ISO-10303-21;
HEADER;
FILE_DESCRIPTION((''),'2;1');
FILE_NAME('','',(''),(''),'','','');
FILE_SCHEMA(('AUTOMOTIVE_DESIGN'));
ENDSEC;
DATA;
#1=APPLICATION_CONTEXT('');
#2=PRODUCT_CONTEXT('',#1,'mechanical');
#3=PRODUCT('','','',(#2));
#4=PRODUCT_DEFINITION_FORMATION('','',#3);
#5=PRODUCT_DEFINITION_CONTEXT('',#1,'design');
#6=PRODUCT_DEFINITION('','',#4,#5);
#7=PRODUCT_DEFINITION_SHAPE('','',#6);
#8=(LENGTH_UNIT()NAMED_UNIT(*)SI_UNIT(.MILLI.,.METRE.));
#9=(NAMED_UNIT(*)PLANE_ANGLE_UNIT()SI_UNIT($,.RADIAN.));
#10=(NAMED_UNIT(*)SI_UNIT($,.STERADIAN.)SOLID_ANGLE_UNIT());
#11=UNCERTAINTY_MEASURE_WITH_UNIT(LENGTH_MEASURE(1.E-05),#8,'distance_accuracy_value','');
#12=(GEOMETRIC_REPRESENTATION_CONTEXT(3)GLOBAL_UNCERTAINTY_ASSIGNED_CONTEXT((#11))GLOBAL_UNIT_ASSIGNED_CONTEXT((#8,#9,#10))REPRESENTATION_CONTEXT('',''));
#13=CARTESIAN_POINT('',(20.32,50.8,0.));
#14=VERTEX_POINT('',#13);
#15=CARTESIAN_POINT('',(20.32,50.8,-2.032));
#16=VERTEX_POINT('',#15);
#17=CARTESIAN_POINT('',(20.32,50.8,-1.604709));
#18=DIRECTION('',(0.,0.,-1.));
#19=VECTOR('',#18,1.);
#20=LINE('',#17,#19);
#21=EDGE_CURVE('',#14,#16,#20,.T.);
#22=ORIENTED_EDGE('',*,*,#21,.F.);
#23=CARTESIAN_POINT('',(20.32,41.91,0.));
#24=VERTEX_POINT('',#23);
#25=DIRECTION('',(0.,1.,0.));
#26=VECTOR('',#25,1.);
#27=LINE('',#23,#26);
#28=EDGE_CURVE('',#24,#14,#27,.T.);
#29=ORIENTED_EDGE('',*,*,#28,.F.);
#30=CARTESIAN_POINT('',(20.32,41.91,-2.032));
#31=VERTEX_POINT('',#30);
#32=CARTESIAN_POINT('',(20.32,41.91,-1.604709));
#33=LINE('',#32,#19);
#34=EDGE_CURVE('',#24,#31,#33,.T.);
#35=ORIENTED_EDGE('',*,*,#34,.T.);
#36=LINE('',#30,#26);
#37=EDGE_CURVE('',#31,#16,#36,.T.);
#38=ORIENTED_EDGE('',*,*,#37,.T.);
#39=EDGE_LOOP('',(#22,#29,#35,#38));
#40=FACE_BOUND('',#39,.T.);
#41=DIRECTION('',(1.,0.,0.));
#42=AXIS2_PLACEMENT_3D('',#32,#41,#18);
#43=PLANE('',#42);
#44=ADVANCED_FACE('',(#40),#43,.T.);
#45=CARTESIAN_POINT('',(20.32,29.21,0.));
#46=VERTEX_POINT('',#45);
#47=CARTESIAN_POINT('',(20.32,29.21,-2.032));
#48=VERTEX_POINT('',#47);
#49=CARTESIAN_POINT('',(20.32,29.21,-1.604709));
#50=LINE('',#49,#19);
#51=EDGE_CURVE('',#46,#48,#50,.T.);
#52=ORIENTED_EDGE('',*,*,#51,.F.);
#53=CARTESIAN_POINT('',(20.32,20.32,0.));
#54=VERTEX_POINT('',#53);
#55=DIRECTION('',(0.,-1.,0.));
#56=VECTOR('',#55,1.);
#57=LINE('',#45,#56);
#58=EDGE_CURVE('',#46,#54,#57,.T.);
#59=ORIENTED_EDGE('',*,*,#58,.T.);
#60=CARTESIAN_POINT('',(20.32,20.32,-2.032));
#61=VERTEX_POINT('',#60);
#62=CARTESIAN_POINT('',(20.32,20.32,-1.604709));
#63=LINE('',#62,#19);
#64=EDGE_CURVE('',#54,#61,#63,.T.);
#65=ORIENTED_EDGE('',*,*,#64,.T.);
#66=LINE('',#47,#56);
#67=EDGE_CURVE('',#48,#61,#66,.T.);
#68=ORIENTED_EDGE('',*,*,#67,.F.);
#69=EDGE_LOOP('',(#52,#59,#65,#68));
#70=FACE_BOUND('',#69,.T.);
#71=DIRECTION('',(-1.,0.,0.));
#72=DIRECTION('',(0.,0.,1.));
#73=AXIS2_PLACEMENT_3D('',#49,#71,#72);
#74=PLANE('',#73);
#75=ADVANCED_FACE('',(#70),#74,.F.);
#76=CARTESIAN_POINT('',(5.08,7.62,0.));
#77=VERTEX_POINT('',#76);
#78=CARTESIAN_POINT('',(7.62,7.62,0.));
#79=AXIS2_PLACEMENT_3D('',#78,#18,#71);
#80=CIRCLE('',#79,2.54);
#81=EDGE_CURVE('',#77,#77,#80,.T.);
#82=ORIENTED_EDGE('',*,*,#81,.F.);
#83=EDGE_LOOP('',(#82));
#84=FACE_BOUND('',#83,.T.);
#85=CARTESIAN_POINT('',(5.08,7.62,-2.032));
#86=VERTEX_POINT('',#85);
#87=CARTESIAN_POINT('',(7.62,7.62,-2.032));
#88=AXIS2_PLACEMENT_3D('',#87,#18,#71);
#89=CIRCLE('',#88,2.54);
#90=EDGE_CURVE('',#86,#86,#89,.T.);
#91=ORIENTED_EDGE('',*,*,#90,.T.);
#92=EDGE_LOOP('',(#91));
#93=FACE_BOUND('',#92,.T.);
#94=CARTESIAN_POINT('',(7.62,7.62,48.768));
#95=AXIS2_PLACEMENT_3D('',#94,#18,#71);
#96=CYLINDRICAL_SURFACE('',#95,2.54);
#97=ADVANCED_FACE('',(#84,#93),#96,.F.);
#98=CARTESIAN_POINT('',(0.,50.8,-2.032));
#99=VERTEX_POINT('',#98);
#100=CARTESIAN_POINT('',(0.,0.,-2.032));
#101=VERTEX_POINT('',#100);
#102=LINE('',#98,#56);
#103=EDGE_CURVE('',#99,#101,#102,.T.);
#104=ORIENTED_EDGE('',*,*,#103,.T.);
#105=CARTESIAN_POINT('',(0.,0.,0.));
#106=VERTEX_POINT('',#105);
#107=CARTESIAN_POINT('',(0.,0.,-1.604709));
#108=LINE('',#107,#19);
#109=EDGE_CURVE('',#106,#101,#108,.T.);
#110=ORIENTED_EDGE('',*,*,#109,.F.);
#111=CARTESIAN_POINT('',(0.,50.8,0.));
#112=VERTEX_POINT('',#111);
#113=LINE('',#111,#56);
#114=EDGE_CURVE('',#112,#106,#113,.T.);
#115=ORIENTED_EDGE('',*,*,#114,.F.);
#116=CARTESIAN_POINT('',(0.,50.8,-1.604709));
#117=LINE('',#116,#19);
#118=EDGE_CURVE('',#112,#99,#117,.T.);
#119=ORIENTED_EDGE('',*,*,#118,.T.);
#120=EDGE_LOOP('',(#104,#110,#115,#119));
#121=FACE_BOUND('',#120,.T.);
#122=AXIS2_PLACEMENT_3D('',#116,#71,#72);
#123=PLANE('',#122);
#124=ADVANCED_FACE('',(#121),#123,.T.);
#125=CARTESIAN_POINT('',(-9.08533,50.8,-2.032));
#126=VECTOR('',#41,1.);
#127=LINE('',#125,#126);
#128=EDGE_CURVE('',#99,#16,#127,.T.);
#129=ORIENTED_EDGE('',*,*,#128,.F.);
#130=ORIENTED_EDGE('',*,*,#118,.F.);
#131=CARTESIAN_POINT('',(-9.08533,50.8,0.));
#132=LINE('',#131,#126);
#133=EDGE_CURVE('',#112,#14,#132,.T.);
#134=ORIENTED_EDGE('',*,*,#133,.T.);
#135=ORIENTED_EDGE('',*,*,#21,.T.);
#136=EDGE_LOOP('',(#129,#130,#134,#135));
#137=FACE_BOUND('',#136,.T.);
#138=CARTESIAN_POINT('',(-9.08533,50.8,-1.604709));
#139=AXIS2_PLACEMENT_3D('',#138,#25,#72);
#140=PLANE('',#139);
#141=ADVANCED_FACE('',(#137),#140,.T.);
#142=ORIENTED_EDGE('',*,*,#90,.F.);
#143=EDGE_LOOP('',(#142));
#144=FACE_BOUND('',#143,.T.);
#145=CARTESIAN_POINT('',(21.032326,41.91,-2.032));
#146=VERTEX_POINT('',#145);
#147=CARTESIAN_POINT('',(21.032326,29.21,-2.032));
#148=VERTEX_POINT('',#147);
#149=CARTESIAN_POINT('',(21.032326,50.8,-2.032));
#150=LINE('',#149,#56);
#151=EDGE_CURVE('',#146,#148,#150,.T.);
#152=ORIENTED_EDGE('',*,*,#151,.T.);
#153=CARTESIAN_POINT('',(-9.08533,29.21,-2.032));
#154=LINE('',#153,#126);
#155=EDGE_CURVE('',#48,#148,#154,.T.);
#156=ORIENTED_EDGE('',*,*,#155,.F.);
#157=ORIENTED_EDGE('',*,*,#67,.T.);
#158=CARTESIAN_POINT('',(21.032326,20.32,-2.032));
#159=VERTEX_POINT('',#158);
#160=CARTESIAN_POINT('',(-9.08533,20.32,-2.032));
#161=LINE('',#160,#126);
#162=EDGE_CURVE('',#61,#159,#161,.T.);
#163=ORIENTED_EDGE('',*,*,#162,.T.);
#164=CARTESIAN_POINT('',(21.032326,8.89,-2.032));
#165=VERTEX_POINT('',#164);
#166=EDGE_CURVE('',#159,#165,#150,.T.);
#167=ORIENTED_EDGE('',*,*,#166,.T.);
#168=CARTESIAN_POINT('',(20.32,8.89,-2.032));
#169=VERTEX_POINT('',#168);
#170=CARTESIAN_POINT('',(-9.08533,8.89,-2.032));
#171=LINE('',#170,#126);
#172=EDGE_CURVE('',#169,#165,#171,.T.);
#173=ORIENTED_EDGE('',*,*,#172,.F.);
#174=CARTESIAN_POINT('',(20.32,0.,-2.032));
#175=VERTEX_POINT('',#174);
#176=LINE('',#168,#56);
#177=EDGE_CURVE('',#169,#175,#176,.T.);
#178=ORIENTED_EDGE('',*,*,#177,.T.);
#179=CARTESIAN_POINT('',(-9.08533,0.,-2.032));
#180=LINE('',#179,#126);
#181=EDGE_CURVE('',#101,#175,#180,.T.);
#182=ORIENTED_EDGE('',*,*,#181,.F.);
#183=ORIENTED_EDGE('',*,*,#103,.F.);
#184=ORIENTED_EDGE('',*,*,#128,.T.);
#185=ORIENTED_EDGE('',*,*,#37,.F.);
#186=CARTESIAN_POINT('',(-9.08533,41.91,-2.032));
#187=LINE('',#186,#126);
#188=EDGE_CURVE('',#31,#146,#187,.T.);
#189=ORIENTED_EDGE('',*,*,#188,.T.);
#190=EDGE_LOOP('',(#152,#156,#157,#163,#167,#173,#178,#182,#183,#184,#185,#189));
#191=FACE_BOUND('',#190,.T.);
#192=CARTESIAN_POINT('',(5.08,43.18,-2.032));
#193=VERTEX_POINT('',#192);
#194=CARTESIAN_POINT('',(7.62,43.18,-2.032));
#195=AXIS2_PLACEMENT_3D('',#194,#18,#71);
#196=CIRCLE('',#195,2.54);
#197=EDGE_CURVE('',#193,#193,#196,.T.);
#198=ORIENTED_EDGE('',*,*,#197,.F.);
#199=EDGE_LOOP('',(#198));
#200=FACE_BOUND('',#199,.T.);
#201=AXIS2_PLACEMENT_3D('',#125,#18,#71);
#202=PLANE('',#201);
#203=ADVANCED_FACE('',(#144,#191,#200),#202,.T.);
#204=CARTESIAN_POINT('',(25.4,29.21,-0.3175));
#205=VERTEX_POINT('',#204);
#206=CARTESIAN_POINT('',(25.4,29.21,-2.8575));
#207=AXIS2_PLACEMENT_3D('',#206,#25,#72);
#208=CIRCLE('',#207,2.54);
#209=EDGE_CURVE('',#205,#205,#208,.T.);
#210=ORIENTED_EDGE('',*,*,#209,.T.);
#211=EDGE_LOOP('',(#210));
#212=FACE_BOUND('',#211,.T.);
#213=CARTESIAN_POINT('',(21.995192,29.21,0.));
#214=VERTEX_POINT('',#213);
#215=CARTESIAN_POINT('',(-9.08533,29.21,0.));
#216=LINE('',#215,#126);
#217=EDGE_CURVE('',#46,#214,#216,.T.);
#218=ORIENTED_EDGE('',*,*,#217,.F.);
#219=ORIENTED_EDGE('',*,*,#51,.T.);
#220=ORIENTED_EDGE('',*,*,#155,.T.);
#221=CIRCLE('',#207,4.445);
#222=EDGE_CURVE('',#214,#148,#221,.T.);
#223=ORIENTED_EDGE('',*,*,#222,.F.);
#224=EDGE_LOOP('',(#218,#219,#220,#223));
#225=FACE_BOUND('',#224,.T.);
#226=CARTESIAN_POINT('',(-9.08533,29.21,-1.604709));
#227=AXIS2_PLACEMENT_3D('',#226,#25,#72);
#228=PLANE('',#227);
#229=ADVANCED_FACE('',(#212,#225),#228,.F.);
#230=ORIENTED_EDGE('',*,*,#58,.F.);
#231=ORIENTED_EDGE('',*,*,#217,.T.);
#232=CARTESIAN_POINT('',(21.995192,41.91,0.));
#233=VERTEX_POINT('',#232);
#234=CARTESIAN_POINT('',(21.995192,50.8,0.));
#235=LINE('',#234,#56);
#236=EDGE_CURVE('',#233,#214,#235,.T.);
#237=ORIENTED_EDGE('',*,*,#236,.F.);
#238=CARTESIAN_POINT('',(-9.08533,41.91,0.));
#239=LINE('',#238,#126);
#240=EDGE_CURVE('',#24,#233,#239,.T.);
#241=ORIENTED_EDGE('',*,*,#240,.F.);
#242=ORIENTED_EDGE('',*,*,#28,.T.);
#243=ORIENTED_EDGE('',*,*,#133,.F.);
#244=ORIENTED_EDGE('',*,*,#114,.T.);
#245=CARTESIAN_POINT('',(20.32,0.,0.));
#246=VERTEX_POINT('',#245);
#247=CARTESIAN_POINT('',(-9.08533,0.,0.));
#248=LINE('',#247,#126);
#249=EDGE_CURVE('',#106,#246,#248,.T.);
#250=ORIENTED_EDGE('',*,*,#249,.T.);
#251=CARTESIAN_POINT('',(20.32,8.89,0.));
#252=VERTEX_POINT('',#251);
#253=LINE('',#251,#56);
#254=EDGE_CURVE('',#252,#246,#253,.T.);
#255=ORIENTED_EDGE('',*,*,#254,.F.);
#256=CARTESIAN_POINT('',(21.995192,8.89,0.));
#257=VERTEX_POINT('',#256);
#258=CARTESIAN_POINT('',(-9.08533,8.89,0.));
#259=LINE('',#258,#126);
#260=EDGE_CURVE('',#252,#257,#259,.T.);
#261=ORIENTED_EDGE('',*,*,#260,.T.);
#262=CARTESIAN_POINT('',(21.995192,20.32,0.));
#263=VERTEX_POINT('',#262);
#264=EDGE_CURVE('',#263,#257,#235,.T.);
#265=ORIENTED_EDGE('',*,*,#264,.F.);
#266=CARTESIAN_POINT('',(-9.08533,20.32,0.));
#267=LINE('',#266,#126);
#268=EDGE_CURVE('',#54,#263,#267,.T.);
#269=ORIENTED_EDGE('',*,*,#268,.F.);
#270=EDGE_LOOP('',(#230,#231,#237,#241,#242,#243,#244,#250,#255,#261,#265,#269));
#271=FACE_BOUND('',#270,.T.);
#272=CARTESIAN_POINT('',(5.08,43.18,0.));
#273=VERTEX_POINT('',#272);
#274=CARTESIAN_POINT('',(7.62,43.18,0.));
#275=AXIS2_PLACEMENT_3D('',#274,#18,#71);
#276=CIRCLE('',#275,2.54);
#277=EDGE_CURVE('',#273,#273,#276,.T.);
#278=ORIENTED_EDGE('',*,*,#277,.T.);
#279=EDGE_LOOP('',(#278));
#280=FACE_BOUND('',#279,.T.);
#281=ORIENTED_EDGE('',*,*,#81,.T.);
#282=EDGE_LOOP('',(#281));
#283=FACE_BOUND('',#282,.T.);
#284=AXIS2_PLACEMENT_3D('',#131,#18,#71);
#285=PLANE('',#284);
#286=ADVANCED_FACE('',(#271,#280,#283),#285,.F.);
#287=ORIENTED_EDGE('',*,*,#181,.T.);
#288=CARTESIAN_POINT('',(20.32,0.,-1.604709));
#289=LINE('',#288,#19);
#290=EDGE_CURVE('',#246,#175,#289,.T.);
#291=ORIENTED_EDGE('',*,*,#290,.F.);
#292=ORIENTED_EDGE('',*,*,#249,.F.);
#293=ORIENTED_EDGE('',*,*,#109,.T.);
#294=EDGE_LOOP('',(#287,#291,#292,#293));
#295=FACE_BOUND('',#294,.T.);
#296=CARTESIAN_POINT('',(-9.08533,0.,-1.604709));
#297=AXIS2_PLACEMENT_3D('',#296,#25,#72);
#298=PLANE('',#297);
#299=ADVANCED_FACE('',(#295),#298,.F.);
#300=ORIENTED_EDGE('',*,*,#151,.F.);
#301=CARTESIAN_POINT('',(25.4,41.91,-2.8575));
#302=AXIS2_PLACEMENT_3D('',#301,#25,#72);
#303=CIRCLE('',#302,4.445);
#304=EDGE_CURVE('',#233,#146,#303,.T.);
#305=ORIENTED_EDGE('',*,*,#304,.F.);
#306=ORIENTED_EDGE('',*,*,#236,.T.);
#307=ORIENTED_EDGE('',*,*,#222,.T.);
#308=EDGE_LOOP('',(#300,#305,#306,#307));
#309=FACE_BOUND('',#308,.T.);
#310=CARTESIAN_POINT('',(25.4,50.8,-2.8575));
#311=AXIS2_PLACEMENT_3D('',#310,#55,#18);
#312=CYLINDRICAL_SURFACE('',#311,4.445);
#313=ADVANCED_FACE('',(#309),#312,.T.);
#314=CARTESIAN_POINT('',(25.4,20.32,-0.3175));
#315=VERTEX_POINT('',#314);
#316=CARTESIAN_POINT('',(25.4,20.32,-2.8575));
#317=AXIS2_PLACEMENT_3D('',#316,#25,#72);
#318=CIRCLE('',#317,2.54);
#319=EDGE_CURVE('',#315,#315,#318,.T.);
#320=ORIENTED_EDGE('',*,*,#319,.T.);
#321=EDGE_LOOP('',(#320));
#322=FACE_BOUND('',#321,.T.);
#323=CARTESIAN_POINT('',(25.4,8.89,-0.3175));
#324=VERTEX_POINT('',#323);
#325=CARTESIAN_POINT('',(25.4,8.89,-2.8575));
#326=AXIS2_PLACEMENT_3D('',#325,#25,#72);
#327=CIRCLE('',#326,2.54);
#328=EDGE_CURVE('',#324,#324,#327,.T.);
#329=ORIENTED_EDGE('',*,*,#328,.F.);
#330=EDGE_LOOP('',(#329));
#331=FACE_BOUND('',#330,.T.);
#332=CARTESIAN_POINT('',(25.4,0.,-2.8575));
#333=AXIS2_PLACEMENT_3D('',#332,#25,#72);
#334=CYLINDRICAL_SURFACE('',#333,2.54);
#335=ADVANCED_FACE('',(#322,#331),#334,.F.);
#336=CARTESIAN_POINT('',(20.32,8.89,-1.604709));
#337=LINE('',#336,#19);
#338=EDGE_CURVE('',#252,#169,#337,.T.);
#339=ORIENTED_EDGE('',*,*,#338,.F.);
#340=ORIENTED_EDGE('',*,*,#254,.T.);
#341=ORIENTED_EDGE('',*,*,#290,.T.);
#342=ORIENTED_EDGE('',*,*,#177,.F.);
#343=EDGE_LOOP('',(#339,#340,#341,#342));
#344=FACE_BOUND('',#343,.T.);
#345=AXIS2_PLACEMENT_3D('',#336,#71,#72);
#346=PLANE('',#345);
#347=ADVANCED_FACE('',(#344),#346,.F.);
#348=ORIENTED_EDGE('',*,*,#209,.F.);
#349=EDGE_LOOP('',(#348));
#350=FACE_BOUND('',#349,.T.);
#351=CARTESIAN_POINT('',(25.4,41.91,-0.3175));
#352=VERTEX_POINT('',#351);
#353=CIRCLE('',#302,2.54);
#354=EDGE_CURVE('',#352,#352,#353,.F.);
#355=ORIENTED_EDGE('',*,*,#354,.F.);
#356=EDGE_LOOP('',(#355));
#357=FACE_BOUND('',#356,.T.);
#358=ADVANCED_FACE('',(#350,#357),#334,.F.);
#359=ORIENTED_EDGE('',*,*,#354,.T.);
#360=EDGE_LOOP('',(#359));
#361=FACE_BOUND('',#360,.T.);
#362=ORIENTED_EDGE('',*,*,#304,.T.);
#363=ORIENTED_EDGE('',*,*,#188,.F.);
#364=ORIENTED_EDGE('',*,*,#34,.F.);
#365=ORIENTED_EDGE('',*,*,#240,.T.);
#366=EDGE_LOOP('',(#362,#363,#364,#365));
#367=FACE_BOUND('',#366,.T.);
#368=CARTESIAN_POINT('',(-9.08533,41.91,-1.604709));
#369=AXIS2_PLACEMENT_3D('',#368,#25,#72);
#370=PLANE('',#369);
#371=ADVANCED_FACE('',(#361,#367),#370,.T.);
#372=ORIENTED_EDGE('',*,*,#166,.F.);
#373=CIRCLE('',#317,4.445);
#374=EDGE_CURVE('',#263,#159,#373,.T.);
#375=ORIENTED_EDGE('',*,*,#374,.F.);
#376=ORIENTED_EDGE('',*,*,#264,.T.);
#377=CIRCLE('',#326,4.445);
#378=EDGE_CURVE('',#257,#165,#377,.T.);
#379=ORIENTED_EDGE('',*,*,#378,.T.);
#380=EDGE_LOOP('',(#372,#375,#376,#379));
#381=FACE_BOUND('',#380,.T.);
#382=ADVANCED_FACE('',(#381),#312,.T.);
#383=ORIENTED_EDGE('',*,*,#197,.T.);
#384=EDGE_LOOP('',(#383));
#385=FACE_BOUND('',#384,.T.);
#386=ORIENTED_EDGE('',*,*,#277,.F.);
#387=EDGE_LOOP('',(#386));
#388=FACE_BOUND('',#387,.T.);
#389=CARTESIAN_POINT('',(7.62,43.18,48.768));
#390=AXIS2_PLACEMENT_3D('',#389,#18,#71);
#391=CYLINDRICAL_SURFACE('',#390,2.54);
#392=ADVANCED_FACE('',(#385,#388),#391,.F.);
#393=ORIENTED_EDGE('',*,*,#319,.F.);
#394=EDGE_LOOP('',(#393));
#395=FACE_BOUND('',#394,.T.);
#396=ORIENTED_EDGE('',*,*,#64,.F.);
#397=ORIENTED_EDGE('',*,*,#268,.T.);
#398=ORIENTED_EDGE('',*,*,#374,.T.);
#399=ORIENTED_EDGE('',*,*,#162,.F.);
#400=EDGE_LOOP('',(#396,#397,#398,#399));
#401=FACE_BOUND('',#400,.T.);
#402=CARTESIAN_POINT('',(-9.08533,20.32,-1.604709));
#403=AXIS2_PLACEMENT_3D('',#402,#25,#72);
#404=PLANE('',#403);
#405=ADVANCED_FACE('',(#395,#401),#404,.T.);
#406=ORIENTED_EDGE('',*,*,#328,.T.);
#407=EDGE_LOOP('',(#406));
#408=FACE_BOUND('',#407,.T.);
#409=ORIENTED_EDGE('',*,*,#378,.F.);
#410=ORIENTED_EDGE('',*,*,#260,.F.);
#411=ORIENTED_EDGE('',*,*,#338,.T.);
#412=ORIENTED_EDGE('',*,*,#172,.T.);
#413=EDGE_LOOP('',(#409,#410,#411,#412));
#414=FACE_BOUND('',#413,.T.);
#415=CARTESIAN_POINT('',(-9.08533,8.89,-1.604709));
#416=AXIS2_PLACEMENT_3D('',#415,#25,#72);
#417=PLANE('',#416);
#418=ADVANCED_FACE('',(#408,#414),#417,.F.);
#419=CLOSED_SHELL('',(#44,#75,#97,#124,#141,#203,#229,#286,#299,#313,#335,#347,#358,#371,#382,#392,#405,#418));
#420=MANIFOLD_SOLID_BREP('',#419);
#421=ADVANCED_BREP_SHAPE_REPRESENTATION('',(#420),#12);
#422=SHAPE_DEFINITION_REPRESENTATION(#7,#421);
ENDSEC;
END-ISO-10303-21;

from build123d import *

# Parameters (mm, degrees)
BOSS_EXTRUDE1_DEPTH = 50.8
SKETCH2_R           = 2.54
CUT_EXTRUDE1_DEPTH  = 50.8
CUT_EXTRUDE2_DEPTH  = 8.89
CUT_EXTRUDE3_START  = 20.32
CUT_EXTRUDE3_DEPTH  = 8.89
SKETCH3_R           = 2.54
CUT_EXTRUDE4_DEPTH  = 60.369104181
CUT_EXTRUDE5_START  = 41.91
CUT_EXTRUDE5_DEPTH  = 8.89


with BuildPart() as part:
    # Sketch1 → Boss-Extrude1 (new body)
    with BuildSketch(Plane(origin=(0, 0, 0), x_dir=(1, 0, 0), z_dir=(0, 1, 0))):
        with BuildLine():
            Line((0, 0), (21.995191819, 0))
            ThreePointArc((21.995191819, 0), (29.416855136, 4.760891662), (21.032326163, 2.032))
            Line((21.032326163, 2.032), (0, 2.032))
            Line((0, 2.032), (0, 0))
        make_face()
    extrude(amount=BOSS_EXTRUDE1_DEPTH)

    # Sketch2 → Cut-Extrude1 (cut)
    with BuildSketch(Plane(origin=(0, 0, -2.032), x_dir=(-1, 0, 0), z_dir=(0, 0, -1))):
        with Locations((-7.62, 43.18)):
            Circle(SKETCH2_R)
        with Locations((-7.62, 7.62)):
            Circle(SKETCH2_R)
    extrude(amount=-CUT_EXTRUDE1_DEPTH, mode=Mode.SUBTRACT)

    # Sketch1<3> → Cut-Extrude2 (cut)
    with BuildSketch(Plane(origin=(0, 0, 0), x_dir=(1, 0, 0), z_dir=(0, 1, 0))):
        with BuildLine():
            Line((21.032326163, 2.032), (20.32, 2.032))
            Line((20.32, 2.032), (20.32, 0))
            Line((20.32, 0), (21.995191819, 0))
            ThreePointArc((21.995191819, 0), (29.416855136, 4.760891662), (21.032326163, 2.032))
        make_face()
    extrude(amount=CUT_EXTRUDE2_DEPTH, mode=Mode.SUBTRACT)

    # Sketch1<5> → Cut-Extrude3 (cut)
    with BuildSketch(Plane(origin=(0, 0, 0), x_dir=(1, 0, 0), z_dir=(0, 1, 0)).offset(CUT_EXTRUDE3_START)):
        with BuildLine():
            Line((21.032326163, 2.032), (20.32, 2.032))
            Line((20.32, 2.032), (20.32, 0))
            Line((20.32, 0), (21.995191819, 0))
            ThreePointArc((21.995191819, 0), (29.416855136, 4.760891662), (21.032326163, 2.032))
        make_face()
    extrude(amount=CUT_EXTRUDE3_DEPTH, mode=Mode.SUBTRACT)

    # Sketch3 → Cut-Extrude4 (cut, through all)
    with BuildSketch(Plane(origin=(0, 50.8, 0), x_dir=(1, 0, 0), z_dir=(0, 1, 0))):
        with Locations((25.4, 2.8575)):
            Circle(SKETCH3_R)
    extrude(amount=-CUT_EXTRUDE4_DEPTH, mode=Mode.SUBTRACT)

    # Sketch1<6> → Cut-Extrude5 (cut)
    with BuildSketch(Plane(origin=(0, 0, 0), x_dir=(1, 0, 0), z_dir=(0, 1, 0)).offset(CUT_EXTRUDE5_START)):
        with BuildLine():
            Line((21.032326163, 2.032), (20.32, 2.032))
            Line((20.32, 2.032), (20.32, 0))
            Line((20.32, 0), (21.995191819, 0))
            ThreePointArc((21.995191819, 0), (29.416855136, 4.760891662), (21.032326163, 2.032))
        make_face()
    extrude(amount=CUT_EXTRUDE5_DEPTH, mode=Mode.SUBTRACT)


solid = part.part
